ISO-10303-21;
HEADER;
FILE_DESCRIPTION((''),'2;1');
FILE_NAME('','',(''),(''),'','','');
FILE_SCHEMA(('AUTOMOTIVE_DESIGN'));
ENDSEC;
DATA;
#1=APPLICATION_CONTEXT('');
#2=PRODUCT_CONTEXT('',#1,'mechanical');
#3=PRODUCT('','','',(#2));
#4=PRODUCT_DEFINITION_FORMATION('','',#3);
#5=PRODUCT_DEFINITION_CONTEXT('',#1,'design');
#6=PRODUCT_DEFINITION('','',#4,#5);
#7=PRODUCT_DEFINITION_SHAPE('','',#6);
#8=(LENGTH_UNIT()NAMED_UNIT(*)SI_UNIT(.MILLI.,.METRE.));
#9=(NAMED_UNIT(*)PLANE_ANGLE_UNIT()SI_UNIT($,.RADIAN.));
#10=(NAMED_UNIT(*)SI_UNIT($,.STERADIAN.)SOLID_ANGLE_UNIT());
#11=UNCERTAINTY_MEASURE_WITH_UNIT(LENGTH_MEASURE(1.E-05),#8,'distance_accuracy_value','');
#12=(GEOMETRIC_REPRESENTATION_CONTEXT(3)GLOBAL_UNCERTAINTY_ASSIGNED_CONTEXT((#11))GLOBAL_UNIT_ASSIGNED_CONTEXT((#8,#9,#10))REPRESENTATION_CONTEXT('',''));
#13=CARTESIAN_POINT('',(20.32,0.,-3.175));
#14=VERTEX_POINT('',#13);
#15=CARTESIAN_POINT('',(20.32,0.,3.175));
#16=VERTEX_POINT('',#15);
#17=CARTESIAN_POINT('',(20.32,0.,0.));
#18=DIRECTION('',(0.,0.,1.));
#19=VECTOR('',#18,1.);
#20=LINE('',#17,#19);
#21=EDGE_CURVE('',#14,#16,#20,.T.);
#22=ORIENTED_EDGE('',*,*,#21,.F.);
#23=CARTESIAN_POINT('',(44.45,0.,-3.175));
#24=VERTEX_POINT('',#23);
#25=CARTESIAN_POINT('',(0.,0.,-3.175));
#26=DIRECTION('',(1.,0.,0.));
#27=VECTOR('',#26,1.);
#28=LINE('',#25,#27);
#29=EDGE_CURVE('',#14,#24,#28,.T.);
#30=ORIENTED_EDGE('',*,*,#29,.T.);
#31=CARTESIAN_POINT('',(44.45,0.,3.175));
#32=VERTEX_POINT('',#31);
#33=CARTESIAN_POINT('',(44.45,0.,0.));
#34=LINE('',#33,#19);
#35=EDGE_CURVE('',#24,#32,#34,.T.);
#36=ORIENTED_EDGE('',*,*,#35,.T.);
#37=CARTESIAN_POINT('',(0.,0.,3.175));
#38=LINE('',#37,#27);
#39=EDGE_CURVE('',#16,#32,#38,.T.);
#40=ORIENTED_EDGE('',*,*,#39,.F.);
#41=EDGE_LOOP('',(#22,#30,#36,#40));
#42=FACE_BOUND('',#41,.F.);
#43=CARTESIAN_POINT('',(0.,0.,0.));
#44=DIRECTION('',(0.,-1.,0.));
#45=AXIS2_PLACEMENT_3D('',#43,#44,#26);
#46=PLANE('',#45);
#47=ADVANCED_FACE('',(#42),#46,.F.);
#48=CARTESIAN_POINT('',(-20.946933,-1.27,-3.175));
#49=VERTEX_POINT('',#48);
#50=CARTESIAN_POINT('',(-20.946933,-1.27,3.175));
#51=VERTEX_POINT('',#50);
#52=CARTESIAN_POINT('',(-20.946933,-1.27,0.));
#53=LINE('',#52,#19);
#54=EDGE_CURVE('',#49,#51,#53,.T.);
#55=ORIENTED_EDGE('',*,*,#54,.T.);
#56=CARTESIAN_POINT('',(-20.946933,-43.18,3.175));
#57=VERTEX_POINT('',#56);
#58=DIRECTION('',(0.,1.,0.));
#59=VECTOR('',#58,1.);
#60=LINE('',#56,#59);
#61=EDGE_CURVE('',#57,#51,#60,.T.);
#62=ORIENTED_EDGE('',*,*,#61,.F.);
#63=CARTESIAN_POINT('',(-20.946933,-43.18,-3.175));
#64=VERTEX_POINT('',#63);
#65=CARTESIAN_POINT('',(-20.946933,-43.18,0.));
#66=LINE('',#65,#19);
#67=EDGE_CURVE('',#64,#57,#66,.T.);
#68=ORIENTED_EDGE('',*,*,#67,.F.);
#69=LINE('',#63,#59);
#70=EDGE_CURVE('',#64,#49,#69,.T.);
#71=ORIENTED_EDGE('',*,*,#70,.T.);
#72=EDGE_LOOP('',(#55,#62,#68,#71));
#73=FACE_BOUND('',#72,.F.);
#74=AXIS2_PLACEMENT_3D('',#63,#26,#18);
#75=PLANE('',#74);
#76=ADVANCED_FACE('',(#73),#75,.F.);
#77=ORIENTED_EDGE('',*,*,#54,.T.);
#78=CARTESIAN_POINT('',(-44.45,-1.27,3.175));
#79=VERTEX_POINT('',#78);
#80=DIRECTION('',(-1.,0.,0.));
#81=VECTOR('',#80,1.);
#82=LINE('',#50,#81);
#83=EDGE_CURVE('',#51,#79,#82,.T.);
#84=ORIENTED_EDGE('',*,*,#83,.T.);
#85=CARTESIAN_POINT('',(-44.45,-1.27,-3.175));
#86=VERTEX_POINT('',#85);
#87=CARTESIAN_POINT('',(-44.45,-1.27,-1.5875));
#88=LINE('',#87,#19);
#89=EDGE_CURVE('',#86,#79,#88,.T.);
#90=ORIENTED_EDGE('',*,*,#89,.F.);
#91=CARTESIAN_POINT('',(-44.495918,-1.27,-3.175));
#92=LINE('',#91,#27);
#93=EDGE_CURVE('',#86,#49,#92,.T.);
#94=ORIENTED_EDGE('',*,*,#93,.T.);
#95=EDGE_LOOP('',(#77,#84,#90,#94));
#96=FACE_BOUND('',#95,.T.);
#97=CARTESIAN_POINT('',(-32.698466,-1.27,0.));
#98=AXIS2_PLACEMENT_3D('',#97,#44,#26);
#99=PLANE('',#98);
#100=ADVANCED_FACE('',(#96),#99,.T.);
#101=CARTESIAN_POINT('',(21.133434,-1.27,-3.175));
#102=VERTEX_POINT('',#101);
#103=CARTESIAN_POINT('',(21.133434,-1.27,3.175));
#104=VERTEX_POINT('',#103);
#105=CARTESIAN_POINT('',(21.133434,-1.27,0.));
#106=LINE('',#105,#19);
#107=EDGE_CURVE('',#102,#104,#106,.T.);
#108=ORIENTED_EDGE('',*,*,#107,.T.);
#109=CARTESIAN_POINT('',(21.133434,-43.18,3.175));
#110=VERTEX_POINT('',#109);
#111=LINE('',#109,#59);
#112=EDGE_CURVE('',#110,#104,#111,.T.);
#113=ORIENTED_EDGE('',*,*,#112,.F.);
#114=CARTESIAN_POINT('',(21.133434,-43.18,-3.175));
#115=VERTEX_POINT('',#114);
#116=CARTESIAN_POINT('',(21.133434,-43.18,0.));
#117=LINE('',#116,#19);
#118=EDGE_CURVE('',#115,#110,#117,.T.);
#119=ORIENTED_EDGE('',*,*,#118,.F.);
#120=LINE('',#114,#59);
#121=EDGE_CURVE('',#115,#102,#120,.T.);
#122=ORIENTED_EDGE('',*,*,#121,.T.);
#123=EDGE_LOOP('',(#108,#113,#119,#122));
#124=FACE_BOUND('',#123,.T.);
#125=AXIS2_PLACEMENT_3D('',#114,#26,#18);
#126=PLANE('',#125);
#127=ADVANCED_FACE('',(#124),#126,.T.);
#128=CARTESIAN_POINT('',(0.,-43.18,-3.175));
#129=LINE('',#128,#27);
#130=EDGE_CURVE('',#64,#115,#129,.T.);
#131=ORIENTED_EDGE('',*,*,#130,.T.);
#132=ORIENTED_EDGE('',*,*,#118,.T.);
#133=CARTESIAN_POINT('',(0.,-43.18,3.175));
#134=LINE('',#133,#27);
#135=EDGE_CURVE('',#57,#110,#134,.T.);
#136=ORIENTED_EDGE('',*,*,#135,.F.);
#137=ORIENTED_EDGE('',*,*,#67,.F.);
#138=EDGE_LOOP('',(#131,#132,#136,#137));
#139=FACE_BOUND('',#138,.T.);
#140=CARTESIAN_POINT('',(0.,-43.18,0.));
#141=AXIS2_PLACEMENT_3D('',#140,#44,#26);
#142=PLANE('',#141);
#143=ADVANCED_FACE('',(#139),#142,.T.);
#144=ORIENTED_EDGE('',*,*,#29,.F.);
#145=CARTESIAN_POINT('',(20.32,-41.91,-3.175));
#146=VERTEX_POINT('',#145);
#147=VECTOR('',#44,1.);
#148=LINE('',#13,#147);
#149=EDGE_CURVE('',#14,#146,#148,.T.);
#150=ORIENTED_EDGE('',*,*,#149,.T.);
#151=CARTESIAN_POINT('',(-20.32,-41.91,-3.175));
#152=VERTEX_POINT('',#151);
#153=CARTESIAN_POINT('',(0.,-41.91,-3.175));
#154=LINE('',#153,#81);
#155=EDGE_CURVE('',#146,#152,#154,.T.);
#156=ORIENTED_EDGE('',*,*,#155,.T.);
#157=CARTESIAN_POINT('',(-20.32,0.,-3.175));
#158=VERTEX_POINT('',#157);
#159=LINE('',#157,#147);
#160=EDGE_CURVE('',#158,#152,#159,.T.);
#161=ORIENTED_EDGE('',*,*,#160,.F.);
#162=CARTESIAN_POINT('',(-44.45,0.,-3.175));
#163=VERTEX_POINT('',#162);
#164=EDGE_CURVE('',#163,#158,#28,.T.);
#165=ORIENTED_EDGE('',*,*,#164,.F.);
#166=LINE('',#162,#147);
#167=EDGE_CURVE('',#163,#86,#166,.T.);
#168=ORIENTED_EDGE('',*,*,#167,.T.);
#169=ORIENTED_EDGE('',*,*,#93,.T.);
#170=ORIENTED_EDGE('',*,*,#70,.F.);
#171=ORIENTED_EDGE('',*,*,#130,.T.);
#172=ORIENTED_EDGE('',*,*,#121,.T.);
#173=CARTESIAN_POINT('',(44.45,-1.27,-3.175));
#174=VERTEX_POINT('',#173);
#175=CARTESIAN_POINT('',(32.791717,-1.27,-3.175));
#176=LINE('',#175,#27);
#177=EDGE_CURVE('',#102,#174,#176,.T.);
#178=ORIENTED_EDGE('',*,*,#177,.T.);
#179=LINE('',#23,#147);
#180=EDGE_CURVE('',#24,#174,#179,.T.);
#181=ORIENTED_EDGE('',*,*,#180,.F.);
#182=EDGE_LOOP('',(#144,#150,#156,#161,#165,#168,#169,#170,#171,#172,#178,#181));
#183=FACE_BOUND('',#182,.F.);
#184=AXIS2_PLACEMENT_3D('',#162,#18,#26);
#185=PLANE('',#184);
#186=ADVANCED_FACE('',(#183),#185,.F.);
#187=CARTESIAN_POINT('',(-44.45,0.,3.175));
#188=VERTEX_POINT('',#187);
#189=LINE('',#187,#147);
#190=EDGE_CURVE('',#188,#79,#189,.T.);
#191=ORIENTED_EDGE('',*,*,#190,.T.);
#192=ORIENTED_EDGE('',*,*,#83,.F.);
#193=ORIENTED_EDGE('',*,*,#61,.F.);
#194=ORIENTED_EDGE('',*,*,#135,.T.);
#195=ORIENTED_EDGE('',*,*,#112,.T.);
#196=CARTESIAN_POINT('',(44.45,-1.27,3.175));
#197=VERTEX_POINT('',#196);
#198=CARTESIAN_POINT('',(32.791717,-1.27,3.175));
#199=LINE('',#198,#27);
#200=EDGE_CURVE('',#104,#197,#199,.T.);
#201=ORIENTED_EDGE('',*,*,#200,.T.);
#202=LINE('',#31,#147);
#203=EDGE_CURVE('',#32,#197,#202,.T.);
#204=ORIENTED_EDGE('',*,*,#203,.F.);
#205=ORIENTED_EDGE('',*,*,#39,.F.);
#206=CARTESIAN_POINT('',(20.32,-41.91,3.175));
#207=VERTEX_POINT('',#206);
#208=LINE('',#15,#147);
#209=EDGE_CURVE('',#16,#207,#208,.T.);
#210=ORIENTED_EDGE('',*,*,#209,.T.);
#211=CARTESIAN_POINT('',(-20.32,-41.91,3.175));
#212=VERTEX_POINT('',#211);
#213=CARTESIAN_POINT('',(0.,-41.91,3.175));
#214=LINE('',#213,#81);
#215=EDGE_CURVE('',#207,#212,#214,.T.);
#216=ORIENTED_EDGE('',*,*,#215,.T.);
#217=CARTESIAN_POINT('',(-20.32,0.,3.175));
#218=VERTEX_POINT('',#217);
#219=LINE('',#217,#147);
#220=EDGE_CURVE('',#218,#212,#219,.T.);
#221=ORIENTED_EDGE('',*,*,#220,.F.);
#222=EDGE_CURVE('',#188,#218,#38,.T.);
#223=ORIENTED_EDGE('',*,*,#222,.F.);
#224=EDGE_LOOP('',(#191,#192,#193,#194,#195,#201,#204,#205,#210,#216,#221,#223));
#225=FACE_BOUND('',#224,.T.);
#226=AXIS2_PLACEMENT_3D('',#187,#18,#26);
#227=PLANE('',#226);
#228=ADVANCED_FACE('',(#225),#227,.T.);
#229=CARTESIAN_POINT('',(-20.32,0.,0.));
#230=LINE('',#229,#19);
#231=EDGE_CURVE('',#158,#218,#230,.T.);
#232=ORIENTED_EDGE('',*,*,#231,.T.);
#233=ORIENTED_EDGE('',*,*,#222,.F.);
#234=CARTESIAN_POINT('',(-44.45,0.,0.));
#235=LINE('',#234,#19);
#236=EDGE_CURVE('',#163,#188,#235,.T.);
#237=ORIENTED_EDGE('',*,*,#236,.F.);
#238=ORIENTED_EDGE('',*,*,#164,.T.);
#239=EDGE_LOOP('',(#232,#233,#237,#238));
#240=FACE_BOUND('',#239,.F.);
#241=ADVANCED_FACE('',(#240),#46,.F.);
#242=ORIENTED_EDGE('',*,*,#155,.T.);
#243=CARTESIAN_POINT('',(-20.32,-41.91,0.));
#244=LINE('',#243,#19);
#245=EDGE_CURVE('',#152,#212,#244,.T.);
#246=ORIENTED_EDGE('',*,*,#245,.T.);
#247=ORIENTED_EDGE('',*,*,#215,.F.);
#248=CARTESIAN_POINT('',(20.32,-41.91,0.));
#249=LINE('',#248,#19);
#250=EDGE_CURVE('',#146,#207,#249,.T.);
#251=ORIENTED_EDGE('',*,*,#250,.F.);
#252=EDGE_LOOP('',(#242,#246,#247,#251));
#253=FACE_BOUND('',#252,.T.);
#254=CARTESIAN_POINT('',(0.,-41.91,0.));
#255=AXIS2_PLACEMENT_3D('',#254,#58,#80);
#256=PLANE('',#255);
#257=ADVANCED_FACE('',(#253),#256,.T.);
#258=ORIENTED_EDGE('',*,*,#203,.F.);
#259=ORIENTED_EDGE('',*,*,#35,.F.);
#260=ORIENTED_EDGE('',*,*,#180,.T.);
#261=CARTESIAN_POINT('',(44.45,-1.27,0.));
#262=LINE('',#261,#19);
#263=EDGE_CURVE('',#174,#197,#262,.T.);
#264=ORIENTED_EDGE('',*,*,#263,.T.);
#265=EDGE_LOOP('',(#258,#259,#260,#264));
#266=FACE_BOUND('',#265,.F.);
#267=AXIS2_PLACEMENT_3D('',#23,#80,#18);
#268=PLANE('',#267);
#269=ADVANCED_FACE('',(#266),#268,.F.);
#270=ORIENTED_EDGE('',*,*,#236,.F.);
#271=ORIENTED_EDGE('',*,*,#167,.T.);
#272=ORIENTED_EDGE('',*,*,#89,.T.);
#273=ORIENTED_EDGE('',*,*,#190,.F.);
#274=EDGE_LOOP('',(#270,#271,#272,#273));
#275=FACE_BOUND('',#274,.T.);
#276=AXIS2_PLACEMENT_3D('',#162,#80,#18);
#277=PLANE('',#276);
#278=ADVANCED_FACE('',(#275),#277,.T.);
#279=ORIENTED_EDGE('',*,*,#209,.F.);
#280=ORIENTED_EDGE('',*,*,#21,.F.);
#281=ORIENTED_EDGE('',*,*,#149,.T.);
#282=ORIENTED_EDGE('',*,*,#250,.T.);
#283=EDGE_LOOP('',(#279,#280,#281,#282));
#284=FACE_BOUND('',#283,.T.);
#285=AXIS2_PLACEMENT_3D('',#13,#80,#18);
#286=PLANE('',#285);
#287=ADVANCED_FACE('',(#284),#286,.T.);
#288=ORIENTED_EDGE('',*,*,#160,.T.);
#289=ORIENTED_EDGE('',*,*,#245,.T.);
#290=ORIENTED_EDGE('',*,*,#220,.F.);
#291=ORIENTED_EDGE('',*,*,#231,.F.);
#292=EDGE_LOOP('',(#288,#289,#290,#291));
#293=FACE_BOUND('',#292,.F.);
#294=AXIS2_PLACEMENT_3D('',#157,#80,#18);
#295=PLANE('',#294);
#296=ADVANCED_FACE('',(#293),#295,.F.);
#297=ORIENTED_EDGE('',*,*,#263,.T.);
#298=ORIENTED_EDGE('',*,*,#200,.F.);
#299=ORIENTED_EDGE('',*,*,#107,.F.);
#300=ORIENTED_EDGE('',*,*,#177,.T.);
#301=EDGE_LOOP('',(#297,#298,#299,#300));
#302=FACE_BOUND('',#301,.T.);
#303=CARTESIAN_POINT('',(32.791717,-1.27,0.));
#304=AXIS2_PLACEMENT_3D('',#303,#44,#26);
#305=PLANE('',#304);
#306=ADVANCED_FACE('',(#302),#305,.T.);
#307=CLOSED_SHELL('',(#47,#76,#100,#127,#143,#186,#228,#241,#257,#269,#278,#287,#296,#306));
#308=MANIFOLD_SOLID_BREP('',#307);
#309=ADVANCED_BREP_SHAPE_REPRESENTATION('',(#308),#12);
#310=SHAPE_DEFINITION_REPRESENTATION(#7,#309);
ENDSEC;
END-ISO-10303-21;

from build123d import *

# Parameters (mm, degrees)
F0_W     = 88.9
F0_H     = 6.35
F1_DEPTH = 43.18
F2_W     = 40.64
F2_H     = 6.35
F3_DEPTH = 41.91
F4_W     = 23.5030670434
F4_H     = 6.35
F4_W_2   = 0.0459178567
F5_DEPTH = 41.91
F6_W     = 23.3165659726
F6_H     = 6.35
F7_DEPTH = 41.91


with BuildPart() as f1:
    # F0 (on Front) → F1 (new body)
    with BuildSketch(Plane.XZ):
        Rectangle(F0_W, F0_H)
    extrude(amount=F1_DEPTH)

    # F2 (on face) → F3 (cut)
    with BuildSketch(Plane(origin=(0, 0, 0), x_dir=(-1, 0, 0), z_dir=(0, 1, 0))):
        Rectangle(F2_W, F2_H)
    extrude(amount=-F3_DEPTH, mode=Mode.SUBTRACT)

    # F4 (on face) → F5 (cut)
    with BuildSketch(Plane.XZ.offset(43.18)):
        with Locations((-32.6984664783, 0)):
            Rectangle(F4_W, F4_H)
        with Locations((-44.4729589283, 0)):
            Rectangle(F4_W_2, F4_H)
    extrude(amount=-F5_DEPTH, mode=Mode.SUBTRACT)

    # F6 (on face) → F7 (cut)
    with BuildSketch(Plane.XZ.offset(43.18)):
        with Locations((32.7917170137, 0)):
            Rectangle(F6_W, F6_H)
    extrude(amount=-F7_DEPTH, mode=Mode.SUBTRACT)


solid = f1.part
